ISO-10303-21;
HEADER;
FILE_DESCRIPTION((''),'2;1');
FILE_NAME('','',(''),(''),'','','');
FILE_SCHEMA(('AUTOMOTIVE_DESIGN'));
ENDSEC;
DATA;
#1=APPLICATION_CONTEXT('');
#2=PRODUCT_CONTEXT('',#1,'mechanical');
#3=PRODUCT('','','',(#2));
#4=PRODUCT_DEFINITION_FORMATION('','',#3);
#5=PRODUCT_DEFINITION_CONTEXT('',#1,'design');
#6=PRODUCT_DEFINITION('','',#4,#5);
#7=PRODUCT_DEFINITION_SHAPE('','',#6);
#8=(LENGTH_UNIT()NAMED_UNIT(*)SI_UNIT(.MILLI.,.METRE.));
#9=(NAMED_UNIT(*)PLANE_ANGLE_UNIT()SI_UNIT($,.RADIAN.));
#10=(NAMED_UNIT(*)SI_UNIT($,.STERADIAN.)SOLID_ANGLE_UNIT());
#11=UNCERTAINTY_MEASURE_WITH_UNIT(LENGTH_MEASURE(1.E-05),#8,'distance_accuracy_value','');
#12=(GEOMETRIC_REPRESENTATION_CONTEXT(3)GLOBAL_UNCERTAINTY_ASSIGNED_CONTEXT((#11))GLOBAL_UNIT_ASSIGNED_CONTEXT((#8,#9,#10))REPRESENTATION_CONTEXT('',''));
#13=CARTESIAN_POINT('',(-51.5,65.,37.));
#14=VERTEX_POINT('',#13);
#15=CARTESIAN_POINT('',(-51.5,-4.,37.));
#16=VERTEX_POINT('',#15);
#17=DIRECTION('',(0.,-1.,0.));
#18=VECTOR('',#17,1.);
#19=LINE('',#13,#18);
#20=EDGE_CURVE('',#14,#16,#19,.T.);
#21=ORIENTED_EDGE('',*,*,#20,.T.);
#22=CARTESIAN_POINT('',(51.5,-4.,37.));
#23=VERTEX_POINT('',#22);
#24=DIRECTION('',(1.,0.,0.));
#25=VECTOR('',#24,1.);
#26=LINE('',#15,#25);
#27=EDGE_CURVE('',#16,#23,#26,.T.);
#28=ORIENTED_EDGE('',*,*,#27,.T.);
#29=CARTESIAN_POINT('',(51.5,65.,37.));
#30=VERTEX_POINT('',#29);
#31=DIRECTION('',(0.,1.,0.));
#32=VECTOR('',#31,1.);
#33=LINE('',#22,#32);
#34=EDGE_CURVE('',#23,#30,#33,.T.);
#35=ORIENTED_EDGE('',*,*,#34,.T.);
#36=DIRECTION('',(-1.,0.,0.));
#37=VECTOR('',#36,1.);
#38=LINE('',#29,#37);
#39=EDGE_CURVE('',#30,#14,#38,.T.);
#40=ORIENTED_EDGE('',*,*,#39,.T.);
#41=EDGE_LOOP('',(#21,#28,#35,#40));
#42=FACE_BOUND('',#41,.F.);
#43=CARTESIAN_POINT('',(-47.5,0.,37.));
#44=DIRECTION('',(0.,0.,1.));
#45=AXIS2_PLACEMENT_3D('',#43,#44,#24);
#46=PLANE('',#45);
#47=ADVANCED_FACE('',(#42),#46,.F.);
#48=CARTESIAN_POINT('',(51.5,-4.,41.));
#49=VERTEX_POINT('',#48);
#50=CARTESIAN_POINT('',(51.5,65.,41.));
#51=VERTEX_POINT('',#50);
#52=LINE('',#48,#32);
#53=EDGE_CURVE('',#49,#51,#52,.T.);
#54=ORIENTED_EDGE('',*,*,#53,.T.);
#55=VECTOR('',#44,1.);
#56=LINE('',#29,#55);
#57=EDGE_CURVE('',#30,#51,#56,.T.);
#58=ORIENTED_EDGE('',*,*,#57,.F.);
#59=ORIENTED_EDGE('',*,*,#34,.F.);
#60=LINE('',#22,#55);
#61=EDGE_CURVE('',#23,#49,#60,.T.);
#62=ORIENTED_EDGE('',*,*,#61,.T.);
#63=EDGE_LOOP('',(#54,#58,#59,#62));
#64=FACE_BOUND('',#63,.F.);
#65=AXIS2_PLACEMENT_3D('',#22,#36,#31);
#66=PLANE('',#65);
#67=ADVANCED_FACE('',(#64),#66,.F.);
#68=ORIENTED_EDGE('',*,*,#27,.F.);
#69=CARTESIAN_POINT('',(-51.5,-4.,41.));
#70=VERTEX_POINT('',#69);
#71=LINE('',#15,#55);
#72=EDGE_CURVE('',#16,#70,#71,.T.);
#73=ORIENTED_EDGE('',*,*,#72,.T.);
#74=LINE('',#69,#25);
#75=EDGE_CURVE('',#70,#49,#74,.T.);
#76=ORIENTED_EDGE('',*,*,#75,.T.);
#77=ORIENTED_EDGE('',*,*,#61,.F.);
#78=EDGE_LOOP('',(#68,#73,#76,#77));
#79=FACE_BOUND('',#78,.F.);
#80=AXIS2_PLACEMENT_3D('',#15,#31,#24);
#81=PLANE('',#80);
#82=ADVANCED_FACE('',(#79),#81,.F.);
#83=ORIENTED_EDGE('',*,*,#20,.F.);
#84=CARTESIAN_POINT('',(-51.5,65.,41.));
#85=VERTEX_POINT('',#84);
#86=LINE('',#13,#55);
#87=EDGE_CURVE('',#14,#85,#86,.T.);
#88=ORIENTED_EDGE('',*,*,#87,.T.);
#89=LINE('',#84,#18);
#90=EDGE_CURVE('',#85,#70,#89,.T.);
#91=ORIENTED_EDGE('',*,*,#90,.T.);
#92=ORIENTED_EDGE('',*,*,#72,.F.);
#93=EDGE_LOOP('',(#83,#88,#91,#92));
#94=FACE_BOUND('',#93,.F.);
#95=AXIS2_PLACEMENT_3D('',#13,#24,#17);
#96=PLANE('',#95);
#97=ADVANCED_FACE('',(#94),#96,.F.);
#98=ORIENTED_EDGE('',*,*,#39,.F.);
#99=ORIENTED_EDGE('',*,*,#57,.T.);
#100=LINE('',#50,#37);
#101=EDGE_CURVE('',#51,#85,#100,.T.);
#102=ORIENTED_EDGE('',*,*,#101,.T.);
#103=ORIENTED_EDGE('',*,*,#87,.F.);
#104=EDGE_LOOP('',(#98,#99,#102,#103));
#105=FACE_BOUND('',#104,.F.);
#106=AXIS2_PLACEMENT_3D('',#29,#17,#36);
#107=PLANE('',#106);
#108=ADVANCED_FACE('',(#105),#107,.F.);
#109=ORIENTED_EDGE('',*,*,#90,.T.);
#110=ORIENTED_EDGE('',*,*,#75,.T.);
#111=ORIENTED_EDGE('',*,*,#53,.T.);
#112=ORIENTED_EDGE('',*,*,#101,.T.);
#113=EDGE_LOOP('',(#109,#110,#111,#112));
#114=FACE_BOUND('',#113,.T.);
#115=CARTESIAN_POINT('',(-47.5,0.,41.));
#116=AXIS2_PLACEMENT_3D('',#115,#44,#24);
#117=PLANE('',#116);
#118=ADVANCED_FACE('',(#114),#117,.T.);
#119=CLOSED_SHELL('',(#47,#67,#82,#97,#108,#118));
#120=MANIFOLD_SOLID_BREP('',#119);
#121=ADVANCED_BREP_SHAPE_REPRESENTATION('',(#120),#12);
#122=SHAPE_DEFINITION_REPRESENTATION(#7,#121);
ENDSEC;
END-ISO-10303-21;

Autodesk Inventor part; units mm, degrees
ref_plane "YZ Plane" through (0, 0, 0) normal (1, 0, 0) x (0, 1, 0)
ref_plane "XZ Plane" through (0, 0, 0) normal (0, 1, 0) x (-1, 0, 0)
ref_plane "XY Plane" through (0, 0, 0) normal (0, 0, 1) x (1, 0, 0)
sketch "DeckFace" plane through (0, 0, 0) normal (0, 1, 0) x (-1, 0, 0)
  line L0 (-47.5, 37) -> (47.5, 37)
  line L1 (47.5, 37) -> (47.5, -37)
  line L2 (47.5, -37) -> (-47.5, -37)
  line L3 (-47.5, -37) -> (-47.5, 37)
  line L4 (-47.5, 37) -> (47.5, -37) construction
  line L5 (47.5, 37) -> (-47.5, -37) construction
  point P0 (0, 0)
sketch "DeckSide" plane through (-47.5, 0, 37) normal (0, 0, 1) x (1, 0, 0)
  line L0 (0, 61) -> (95, 61)
  line L1 (0, 0) -> (0, 61)
  line L2 (0, 0) -> (95, 0)
  line L3 (95, 0) -> (95, 61)
  line L4 (99, 65) -> (-4, 65)
  line L5 (-4, 65) -> (-4, -4)
  line L6 (-4, -4) -> (99, -4)
  line L7 (99, -4) -> (99, 65)
  point P0 (47.5, 0)
  dimension "d6" = 4
sketch "DeckBottom" plane through (47.5, 0, 37) normal (1, 0, 0) x (0, 0, -1)
  line L0 (0, 0) -> (0, 61)
  line L1 (0, 61) -> (74, 61)
  line L2 (74, 0) -> (74, 61)
  line L3 (74, 0) -> (0, 0)
  point P0 (37, 0)
extrude "Extrusion1" add sketch "DeckSide" along normal blind 4 contours L0 L3 L2 L1 | L7 L6 L5 L4
equation "\"d6\" = PlateThickness"
equation "\"d7\" = PlateThickness"
equation "\"PlateThickness\" = 4"
properties part number "SidePlate"
